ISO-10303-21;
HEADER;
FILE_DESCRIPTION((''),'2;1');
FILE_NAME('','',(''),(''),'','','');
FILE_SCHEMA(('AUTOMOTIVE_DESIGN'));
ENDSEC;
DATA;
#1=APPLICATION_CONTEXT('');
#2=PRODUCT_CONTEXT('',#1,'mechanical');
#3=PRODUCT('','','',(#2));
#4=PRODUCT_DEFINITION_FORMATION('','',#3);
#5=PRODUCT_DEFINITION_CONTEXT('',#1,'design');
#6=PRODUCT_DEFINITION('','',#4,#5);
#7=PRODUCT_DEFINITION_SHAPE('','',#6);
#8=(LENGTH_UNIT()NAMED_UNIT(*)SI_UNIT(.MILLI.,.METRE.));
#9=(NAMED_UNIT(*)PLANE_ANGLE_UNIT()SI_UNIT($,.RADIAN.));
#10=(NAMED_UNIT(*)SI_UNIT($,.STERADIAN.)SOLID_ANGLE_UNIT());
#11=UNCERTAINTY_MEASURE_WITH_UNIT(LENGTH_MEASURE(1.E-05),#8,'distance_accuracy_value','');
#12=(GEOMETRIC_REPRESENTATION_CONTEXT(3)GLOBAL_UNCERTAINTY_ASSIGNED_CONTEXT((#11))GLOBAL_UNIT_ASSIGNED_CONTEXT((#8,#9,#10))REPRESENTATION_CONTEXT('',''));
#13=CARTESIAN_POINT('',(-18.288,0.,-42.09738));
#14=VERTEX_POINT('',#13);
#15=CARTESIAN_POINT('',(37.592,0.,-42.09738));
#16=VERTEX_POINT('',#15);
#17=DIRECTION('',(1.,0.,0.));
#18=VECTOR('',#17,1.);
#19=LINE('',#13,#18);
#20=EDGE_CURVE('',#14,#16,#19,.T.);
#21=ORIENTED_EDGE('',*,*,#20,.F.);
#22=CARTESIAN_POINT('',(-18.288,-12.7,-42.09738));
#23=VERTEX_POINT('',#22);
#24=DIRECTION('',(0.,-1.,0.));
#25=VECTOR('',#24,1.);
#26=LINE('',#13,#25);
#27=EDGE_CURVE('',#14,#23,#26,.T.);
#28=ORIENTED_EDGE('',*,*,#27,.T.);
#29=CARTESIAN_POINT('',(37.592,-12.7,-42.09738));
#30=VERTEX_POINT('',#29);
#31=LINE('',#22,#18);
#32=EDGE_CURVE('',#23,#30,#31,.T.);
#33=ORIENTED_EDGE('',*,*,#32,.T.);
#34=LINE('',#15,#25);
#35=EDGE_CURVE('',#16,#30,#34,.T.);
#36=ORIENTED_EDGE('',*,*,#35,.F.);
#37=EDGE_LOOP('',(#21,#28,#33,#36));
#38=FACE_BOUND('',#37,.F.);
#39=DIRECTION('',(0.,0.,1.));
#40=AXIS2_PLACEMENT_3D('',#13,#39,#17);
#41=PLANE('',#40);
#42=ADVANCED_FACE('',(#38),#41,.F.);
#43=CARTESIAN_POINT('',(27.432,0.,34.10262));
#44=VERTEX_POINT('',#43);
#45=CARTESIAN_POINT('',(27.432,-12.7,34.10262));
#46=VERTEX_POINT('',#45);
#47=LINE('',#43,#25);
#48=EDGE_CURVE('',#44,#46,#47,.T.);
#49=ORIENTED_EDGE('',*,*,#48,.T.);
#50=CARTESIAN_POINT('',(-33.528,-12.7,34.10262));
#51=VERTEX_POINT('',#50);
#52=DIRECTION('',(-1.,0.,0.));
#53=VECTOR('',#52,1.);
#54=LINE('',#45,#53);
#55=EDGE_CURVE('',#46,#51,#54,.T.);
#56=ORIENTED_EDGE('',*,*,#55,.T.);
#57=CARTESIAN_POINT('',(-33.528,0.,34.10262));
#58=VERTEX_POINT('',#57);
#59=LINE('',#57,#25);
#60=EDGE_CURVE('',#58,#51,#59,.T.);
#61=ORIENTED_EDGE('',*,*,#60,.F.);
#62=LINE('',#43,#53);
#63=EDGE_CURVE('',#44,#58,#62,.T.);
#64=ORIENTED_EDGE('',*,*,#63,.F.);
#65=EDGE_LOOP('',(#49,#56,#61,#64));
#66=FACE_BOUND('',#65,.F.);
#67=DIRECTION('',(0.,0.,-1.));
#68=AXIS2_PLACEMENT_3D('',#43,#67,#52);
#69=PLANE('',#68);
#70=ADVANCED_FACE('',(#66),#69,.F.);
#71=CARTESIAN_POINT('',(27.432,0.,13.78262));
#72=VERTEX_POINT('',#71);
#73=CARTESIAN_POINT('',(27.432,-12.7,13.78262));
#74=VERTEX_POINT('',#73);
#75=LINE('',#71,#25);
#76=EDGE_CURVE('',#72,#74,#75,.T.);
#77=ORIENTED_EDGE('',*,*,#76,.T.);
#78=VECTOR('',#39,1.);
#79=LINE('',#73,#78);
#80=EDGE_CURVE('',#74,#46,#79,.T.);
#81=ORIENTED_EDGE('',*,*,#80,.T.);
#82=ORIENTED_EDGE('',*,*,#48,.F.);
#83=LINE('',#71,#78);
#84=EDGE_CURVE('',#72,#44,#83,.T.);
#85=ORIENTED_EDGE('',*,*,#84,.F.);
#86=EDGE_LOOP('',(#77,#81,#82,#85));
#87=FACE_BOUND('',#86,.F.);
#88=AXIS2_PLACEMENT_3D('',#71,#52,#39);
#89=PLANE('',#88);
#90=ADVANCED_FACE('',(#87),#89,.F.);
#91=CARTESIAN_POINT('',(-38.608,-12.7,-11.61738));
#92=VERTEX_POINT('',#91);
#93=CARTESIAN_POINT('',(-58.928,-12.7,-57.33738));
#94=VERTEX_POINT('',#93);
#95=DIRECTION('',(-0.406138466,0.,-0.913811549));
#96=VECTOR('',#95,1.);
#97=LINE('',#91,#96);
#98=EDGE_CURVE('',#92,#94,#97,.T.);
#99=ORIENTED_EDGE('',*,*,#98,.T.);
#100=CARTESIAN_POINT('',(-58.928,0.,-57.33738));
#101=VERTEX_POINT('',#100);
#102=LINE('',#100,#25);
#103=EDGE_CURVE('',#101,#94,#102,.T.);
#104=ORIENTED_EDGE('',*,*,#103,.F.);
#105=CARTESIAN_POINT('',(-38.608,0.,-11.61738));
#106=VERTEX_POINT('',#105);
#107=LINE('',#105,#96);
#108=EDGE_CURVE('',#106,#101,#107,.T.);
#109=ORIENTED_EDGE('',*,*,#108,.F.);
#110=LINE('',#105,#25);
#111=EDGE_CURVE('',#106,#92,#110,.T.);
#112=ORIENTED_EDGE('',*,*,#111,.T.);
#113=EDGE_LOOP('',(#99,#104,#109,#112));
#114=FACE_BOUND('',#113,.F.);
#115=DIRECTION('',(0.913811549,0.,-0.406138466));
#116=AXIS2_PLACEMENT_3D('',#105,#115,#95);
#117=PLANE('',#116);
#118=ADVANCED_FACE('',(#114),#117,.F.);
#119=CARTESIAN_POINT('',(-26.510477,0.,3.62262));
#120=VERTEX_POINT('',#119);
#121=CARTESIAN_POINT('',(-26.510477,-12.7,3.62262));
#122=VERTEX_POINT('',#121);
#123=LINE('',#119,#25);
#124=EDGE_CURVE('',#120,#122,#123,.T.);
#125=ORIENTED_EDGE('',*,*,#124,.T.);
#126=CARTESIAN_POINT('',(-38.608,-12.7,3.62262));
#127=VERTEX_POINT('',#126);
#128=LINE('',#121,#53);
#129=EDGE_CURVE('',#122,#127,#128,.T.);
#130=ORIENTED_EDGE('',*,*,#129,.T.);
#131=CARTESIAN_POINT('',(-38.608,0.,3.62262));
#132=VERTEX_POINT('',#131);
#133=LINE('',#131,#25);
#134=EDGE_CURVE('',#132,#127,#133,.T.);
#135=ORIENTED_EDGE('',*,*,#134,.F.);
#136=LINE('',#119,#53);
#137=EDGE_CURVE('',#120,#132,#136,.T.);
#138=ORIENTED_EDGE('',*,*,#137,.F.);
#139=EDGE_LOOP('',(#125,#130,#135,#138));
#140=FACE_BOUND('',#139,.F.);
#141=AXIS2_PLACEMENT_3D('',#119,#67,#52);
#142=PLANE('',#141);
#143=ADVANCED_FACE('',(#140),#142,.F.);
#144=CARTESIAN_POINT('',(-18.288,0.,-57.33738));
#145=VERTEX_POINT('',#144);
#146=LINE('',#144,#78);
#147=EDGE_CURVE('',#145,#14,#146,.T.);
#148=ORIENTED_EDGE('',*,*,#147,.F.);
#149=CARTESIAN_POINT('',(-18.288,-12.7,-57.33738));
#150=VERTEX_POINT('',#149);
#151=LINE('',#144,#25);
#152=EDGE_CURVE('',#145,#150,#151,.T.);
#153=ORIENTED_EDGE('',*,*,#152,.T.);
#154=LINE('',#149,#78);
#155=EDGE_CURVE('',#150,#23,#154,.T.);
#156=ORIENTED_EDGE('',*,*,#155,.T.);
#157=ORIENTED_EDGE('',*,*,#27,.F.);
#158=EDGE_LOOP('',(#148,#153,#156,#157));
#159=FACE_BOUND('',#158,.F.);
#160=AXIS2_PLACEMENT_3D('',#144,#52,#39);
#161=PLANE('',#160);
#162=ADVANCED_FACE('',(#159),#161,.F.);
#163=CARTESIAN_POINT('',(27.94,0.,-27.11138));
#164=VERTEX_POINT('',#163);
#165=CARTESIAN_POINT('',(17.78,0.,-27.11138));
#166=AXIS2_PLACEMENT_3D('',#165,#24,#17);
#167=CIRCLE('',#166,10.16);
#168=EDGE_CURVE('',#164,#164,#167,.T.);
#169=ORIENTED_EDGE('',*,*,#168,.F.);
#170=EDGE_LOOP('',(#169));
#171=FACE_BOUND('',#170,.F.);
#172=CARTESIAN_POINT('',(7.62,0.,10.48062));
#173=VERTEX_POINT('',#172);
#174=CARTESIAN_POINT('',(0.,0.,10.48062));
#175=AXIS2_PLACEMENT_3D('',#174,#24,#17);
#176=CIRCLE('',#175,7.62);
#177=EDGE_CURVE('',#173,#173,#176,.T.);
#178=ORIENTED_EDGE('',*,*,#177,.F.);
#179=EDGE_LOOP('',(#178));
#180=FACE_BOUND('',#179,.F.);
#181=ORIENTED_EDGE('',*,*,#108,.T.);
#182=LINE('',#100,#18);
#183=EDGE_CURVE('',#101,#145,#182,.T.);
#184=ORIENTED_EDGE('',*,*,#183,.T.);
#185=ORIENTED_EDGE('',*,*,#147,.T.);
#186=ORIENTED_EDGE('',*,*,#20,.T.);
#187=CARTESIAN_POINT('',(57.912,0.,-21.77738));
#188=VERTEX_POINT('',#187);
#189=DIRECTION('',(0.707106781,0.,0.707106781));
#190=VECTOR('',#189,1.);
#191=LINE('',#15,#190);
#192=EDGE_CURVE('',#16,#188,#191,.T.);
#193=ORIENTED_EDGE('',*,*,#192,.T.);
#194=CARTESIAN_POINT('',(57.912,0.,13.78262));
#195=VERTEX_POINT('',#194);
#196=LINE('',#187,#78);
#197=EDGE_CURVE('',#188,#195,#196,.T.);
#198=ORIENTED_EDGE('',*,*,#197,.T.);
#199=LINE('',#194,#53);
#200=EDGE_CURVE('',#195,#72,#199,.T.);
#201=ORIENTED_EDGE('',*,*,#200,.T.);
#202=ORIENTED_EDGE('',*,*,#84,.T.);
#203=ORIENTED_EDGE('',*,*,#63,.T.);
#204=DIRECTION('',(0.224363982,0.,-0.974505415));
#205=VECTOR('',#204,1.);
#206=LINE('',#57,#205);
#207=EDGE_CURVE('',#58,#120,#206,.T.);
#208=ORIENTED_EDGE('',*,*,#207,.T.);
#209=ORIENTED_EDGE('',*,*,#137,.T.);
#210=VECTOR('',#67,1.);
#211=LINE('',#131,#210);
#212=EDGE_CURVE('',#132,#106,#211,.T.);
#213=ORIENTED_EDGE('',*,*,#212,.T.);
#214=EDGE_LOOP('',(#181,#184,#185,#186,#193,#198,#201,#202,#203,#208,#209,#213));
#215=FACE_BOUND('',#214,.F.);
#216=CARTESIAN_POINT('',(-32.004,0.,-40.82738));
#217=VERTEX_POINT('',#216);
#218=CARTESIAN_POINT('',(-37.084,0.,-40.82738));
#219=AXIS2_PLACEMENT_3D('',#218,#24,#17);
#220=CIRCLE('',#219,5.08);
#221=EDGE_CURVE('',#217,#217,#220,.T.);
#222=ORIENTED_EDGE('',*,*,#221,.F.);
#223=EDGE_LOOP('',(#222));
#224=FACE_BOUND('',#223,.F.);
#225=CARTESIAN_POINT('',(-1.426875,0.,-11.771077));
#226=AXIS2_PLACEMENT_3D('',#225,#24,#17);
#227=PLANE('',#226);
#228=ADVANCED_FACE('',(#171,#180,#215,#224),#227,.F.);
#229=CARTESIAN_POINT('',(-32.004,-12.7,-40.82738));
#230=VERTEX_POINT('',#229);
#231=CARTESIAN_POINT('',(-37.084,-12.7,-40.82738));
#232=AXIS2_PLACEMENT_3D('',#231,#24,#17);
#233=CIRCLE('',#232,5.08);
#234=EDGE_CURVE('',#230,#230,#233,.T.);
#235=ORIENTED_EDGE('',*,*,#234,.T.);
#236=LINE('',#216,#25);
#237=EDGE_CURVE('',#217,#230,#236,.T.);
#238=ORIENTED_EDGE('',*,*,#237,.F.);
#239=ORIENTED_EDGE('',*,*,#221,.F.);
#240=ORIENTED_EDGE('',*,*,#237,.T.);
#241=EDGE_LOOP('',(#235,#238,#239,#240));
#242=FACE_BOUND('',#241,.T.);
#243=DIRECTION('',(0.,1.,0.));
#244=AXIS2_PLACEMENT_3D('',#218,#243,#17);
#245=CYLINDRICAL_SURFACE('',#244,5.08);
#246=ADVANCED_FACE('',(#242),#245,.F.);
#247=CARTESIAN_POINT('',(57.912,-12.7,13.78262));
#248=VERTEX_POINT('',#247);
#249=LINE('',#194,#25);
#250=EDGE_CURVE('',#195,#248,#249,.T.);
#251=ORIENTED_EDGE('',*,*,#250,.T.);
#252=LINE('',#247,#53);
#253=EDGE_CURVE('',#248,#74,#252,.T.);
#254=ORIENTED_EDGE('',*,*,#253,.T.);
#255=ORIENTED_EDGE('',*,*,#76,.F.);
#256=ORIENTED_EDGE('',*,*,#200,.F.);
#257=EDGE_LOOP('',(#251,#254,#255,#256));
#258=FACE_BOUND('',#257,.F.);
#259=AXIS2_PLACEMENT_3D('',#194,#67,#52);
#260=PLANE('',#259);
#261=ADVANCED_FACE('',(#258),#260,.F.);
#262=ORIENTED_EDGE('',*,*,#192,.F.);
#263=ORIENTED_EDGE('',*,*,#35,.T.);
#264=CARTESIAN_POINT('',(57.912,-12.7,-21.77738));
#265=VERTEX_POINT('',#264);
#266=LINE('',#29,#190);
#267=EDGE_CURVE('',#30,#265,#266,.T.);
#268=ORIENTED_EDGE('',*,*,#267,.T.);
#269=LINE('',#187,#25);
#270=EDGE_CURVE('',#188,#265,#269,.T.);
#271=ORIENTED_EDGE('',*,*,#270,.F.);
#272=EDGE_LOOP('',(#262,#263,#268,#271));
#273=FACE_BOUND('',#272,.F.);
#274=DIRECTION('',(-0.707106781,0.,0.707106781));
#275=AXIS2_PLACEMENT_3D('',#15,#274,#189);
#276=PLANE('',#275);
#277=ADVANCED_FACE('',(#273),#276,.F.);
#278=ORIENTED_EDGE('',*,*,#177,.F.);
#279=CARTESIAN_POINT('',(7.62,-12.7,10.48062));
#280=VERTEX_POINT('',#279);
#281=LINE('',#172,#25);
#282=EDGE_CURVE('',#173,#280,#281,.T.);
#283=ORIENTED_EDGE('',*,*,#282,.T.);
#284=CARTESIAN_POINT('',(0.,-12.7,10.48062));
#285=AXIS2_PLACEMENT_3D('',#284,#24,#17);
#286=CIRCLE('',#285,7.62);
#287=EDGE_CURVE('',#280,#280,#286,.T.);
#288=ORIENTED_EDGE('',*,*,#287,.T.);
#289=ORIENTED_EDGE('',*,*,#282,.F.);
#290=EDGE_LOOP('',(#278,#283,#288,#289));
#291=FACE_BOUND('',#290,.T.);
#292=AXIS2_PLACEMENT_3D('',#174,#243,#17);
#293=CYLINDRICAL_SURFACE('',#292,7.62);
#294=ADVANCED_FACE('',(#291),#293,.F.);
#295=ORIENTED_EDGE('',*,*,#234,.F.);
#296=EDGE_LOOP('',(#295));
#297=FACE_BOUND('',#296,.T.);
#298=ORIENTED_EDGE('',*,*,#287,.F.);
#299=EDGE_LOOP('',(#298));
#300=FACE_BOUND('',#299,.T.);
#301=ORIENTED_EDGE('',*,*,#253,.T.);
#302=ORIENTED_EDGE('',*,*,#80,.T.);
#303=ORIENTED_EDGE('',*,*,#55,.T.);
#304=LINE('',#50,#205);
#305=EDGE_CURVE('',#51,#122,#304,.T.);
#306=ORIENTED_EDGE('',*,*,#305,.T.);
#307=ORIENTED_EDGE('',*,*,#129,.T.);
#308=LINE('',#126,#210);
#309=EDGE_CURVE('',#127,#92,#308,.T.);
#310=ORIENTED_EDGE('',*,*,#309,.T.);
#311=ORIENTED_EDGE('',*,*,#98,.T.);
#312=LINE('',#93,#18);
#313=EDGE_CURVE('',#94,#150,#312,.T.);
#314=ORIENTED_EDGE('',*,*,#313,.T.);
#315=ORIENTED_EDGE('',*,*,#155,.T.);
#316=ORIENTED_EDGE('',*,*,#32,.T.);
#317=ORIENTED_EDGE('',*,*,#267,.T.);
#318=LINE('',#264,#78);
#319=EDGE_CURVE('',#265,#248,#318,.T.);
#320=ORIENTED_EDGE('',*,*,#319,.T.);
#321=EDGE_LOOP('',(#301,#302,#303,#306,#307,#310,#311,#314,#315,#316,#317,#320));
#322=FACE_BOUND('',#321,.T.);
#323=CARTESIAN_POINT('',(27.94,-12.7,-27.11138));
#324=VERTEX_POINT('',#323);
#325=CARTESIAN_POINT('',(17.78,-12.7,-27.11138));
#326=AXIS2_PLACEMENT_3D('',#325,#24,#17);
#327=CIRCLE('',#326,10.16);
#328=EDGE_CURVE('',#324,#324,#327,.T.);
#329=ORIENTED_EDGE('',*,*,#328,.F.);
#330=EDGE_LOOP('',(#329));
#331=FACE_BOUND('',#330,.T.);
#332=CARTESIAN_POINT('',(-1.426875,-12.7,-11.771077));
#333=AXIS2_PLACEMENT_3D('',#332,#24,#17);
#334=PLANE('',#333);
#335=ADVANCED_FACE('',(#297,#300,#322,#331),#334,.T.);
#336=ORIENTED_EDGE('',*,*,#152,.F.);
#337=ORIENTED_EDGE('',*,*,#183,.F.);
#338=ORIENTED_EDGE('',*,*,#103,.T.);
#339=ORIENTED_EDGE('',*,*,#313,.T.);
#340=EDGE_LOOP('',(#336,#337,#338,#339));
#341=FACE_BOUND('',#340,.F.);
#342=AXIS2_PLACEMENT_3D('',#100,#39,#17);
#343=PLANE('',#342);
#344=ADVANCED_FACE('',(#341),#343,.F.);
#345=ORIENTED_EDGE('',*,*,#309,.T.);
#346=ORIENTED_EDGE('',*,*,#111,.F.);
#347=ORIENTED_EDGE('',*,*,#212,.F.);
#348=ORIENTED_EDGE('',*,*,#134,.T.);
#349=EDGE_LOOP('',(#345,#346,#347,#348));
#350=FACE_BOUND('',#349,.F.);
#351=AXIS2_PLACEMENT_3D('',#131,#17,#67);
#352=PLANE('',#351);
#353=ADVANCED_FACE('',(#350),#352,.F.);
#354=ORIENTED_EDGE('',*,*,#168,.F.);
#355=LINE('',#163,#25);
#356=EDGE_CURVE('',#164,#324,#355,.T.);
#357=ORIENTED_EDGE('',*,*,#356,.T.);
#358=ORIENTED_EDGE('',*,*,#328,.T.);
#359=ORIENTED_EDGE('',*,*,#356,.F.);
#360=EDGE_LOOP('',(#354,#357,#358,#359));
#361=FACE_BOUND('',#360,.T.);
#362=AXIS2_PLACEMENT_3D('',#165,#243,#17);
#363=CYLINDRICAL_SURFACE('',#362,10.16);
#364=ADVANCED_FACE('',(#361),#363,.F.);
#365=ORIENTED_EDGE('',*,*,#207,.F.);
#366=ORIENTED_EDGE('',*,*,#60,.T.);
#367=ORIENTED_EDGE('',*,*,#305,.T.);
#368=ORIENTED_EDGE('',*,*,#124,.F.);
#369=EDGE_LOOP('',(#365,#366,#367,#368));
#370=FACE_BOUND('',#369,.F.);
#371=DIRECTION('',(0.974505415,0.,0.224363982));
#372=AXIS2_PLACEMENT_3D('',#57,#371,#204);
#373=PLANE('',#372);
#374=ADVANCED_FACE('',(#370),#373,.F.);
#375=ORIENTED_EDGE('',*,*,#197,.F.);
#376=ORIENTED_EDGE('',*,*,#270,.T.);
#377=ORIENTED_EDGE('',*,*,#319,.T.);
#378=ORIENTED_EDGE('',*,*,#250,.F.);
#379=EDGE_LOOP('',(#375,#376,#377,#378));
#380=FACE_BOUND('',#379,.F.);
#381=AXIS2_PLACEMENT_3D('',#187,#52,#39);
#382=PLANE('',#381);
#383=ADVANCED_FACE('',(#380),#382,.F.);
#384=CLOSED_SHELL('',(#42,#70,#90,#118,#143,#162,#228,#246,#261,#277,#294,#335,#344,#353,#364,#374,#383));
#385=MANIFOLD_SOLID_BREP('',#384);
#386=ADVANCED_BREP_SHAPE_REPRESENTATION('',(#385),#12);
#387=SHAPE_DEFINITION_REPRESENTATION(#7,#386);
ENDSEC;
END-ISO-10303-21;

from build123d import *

# Parameters (mm, degrees)
F0_R     = 5.08
F0_R_2   = 10.16
F0_R_3   = 7.62
F1_DEPTH = 12.7


with BuildPart() as f1:
    # F0 (on Front) → F1 (new body)
    with BuildSketch(Plane.XZ):
        Polygon((27.432, 34.10262), (-33.528, 34.10262), (-26.510477, 3.62262), (-38.608, 3.62262), (-38.608, -11.61738), (-58.928, -57.33738), (-18.288, -57.33738), (-18.288, -42.09738), (37.592, -42.09738), (57.912, -21.77738), (57.912, 13.78262), (27.432, 13.78262), align=None)
        with Locations((-37.084, -40.82738)):
            Circle(F0_R, mode=Mode.SUBTRACT)
        with Locations((17.78, -27.11138)):
            Circle(F0_R_2, mode=Mode.SUBTRACT)
        with Locations((0, 10.48062)):
            Circle(F0_R_3, mode=Mode.SUBTRACT)
    extrude(amount=F1_DEPTH)


solid = f1.part
